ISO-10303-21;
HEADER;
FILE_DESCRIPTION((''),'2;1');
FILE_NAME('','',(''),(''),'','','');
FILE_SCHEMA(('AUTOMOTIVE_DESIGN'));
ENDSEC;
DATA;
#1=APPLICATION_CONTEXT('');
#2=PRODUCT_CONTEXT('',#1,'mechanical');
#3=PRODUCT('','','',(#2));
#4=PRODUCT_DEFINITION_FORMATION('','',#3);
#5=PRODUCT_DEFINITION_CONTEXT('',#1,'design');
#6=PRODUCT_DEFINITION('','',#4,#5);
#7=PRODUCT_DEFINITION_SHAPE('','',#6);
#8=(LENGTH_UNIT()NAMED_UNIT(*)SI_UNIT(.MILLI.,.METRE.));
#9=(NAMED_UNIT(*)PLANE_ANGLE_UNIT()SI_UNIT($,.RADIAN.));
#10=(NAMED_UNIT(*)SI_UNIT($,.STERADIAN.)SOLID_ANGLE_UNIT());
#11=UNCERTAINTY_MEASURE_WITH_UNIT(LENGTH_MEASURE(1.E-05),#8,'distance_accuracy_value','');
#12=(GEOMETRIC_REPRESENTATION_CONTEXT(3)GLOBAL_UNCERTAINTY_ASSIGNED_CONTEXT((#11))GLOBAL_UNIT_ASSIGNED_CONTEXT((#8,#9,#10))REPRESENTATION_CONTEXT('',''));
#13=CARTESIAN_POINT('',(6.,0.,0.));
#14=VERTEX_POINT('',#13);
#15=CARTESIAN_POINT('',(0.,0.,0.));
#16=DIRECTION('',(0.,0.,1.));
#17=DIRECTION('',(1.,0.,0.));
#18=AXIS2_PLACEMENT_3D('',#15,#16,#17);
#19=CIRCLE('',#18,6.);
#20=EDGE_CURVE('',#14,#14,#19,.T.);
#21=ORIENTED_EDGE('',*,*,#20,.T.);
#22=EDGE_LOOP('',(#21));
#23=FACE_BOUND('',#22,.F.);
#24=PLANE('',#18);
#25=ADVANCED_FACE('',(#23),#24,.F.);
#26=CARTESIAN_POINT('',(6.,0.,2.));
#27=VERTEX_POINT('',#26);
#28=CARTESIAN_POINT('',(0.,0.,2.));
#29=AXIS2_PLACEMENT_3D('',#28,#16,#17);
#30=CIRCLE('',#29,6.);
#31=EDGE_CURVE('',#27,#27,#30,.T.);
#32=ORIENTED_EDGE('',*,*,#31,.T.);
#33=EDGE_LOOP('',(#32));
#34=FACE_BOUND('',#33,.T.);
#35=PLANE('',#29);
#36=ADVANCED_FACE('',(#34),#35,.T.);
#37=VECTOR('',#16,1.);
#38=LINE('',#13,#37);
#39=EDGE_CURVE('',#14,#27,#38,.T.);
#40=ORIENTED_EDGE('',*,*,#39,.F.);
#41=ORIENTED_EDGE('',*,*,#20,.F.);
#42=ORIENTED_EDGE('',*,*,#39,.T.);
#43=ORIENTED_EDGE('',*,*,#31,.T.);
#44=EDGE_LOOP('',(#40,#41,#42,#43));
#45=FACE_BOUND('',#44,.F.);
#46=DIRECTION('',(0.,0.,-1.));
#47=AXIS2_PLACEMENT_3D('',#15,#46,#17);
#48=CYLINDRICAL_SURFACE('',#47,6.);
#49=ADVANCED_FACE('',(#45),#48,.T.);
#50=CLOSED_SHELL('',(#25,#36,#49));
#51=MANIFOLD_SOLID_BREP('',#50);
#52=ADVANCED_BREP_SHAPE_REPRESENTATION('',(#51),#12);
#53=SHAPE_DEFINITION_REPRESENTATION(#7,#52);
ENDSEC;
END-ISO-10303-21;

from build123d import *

# Parameters (mm, degrees)
SCHIZZO1_R                   = 6
ESTRUSIONE_ESTRUSIONE1_DEPTH = 2


with BuildPart() as part:
    # Schizzo1 → Estrusione-Estrusione1 (new body)
    with BuildSketch(Plane.XY):
        Circle(SCHIZZO1_R)
    extrude(amount=ESTRUSIONE_ESTRUSIONE1_DEPTH)


solid = part.part
